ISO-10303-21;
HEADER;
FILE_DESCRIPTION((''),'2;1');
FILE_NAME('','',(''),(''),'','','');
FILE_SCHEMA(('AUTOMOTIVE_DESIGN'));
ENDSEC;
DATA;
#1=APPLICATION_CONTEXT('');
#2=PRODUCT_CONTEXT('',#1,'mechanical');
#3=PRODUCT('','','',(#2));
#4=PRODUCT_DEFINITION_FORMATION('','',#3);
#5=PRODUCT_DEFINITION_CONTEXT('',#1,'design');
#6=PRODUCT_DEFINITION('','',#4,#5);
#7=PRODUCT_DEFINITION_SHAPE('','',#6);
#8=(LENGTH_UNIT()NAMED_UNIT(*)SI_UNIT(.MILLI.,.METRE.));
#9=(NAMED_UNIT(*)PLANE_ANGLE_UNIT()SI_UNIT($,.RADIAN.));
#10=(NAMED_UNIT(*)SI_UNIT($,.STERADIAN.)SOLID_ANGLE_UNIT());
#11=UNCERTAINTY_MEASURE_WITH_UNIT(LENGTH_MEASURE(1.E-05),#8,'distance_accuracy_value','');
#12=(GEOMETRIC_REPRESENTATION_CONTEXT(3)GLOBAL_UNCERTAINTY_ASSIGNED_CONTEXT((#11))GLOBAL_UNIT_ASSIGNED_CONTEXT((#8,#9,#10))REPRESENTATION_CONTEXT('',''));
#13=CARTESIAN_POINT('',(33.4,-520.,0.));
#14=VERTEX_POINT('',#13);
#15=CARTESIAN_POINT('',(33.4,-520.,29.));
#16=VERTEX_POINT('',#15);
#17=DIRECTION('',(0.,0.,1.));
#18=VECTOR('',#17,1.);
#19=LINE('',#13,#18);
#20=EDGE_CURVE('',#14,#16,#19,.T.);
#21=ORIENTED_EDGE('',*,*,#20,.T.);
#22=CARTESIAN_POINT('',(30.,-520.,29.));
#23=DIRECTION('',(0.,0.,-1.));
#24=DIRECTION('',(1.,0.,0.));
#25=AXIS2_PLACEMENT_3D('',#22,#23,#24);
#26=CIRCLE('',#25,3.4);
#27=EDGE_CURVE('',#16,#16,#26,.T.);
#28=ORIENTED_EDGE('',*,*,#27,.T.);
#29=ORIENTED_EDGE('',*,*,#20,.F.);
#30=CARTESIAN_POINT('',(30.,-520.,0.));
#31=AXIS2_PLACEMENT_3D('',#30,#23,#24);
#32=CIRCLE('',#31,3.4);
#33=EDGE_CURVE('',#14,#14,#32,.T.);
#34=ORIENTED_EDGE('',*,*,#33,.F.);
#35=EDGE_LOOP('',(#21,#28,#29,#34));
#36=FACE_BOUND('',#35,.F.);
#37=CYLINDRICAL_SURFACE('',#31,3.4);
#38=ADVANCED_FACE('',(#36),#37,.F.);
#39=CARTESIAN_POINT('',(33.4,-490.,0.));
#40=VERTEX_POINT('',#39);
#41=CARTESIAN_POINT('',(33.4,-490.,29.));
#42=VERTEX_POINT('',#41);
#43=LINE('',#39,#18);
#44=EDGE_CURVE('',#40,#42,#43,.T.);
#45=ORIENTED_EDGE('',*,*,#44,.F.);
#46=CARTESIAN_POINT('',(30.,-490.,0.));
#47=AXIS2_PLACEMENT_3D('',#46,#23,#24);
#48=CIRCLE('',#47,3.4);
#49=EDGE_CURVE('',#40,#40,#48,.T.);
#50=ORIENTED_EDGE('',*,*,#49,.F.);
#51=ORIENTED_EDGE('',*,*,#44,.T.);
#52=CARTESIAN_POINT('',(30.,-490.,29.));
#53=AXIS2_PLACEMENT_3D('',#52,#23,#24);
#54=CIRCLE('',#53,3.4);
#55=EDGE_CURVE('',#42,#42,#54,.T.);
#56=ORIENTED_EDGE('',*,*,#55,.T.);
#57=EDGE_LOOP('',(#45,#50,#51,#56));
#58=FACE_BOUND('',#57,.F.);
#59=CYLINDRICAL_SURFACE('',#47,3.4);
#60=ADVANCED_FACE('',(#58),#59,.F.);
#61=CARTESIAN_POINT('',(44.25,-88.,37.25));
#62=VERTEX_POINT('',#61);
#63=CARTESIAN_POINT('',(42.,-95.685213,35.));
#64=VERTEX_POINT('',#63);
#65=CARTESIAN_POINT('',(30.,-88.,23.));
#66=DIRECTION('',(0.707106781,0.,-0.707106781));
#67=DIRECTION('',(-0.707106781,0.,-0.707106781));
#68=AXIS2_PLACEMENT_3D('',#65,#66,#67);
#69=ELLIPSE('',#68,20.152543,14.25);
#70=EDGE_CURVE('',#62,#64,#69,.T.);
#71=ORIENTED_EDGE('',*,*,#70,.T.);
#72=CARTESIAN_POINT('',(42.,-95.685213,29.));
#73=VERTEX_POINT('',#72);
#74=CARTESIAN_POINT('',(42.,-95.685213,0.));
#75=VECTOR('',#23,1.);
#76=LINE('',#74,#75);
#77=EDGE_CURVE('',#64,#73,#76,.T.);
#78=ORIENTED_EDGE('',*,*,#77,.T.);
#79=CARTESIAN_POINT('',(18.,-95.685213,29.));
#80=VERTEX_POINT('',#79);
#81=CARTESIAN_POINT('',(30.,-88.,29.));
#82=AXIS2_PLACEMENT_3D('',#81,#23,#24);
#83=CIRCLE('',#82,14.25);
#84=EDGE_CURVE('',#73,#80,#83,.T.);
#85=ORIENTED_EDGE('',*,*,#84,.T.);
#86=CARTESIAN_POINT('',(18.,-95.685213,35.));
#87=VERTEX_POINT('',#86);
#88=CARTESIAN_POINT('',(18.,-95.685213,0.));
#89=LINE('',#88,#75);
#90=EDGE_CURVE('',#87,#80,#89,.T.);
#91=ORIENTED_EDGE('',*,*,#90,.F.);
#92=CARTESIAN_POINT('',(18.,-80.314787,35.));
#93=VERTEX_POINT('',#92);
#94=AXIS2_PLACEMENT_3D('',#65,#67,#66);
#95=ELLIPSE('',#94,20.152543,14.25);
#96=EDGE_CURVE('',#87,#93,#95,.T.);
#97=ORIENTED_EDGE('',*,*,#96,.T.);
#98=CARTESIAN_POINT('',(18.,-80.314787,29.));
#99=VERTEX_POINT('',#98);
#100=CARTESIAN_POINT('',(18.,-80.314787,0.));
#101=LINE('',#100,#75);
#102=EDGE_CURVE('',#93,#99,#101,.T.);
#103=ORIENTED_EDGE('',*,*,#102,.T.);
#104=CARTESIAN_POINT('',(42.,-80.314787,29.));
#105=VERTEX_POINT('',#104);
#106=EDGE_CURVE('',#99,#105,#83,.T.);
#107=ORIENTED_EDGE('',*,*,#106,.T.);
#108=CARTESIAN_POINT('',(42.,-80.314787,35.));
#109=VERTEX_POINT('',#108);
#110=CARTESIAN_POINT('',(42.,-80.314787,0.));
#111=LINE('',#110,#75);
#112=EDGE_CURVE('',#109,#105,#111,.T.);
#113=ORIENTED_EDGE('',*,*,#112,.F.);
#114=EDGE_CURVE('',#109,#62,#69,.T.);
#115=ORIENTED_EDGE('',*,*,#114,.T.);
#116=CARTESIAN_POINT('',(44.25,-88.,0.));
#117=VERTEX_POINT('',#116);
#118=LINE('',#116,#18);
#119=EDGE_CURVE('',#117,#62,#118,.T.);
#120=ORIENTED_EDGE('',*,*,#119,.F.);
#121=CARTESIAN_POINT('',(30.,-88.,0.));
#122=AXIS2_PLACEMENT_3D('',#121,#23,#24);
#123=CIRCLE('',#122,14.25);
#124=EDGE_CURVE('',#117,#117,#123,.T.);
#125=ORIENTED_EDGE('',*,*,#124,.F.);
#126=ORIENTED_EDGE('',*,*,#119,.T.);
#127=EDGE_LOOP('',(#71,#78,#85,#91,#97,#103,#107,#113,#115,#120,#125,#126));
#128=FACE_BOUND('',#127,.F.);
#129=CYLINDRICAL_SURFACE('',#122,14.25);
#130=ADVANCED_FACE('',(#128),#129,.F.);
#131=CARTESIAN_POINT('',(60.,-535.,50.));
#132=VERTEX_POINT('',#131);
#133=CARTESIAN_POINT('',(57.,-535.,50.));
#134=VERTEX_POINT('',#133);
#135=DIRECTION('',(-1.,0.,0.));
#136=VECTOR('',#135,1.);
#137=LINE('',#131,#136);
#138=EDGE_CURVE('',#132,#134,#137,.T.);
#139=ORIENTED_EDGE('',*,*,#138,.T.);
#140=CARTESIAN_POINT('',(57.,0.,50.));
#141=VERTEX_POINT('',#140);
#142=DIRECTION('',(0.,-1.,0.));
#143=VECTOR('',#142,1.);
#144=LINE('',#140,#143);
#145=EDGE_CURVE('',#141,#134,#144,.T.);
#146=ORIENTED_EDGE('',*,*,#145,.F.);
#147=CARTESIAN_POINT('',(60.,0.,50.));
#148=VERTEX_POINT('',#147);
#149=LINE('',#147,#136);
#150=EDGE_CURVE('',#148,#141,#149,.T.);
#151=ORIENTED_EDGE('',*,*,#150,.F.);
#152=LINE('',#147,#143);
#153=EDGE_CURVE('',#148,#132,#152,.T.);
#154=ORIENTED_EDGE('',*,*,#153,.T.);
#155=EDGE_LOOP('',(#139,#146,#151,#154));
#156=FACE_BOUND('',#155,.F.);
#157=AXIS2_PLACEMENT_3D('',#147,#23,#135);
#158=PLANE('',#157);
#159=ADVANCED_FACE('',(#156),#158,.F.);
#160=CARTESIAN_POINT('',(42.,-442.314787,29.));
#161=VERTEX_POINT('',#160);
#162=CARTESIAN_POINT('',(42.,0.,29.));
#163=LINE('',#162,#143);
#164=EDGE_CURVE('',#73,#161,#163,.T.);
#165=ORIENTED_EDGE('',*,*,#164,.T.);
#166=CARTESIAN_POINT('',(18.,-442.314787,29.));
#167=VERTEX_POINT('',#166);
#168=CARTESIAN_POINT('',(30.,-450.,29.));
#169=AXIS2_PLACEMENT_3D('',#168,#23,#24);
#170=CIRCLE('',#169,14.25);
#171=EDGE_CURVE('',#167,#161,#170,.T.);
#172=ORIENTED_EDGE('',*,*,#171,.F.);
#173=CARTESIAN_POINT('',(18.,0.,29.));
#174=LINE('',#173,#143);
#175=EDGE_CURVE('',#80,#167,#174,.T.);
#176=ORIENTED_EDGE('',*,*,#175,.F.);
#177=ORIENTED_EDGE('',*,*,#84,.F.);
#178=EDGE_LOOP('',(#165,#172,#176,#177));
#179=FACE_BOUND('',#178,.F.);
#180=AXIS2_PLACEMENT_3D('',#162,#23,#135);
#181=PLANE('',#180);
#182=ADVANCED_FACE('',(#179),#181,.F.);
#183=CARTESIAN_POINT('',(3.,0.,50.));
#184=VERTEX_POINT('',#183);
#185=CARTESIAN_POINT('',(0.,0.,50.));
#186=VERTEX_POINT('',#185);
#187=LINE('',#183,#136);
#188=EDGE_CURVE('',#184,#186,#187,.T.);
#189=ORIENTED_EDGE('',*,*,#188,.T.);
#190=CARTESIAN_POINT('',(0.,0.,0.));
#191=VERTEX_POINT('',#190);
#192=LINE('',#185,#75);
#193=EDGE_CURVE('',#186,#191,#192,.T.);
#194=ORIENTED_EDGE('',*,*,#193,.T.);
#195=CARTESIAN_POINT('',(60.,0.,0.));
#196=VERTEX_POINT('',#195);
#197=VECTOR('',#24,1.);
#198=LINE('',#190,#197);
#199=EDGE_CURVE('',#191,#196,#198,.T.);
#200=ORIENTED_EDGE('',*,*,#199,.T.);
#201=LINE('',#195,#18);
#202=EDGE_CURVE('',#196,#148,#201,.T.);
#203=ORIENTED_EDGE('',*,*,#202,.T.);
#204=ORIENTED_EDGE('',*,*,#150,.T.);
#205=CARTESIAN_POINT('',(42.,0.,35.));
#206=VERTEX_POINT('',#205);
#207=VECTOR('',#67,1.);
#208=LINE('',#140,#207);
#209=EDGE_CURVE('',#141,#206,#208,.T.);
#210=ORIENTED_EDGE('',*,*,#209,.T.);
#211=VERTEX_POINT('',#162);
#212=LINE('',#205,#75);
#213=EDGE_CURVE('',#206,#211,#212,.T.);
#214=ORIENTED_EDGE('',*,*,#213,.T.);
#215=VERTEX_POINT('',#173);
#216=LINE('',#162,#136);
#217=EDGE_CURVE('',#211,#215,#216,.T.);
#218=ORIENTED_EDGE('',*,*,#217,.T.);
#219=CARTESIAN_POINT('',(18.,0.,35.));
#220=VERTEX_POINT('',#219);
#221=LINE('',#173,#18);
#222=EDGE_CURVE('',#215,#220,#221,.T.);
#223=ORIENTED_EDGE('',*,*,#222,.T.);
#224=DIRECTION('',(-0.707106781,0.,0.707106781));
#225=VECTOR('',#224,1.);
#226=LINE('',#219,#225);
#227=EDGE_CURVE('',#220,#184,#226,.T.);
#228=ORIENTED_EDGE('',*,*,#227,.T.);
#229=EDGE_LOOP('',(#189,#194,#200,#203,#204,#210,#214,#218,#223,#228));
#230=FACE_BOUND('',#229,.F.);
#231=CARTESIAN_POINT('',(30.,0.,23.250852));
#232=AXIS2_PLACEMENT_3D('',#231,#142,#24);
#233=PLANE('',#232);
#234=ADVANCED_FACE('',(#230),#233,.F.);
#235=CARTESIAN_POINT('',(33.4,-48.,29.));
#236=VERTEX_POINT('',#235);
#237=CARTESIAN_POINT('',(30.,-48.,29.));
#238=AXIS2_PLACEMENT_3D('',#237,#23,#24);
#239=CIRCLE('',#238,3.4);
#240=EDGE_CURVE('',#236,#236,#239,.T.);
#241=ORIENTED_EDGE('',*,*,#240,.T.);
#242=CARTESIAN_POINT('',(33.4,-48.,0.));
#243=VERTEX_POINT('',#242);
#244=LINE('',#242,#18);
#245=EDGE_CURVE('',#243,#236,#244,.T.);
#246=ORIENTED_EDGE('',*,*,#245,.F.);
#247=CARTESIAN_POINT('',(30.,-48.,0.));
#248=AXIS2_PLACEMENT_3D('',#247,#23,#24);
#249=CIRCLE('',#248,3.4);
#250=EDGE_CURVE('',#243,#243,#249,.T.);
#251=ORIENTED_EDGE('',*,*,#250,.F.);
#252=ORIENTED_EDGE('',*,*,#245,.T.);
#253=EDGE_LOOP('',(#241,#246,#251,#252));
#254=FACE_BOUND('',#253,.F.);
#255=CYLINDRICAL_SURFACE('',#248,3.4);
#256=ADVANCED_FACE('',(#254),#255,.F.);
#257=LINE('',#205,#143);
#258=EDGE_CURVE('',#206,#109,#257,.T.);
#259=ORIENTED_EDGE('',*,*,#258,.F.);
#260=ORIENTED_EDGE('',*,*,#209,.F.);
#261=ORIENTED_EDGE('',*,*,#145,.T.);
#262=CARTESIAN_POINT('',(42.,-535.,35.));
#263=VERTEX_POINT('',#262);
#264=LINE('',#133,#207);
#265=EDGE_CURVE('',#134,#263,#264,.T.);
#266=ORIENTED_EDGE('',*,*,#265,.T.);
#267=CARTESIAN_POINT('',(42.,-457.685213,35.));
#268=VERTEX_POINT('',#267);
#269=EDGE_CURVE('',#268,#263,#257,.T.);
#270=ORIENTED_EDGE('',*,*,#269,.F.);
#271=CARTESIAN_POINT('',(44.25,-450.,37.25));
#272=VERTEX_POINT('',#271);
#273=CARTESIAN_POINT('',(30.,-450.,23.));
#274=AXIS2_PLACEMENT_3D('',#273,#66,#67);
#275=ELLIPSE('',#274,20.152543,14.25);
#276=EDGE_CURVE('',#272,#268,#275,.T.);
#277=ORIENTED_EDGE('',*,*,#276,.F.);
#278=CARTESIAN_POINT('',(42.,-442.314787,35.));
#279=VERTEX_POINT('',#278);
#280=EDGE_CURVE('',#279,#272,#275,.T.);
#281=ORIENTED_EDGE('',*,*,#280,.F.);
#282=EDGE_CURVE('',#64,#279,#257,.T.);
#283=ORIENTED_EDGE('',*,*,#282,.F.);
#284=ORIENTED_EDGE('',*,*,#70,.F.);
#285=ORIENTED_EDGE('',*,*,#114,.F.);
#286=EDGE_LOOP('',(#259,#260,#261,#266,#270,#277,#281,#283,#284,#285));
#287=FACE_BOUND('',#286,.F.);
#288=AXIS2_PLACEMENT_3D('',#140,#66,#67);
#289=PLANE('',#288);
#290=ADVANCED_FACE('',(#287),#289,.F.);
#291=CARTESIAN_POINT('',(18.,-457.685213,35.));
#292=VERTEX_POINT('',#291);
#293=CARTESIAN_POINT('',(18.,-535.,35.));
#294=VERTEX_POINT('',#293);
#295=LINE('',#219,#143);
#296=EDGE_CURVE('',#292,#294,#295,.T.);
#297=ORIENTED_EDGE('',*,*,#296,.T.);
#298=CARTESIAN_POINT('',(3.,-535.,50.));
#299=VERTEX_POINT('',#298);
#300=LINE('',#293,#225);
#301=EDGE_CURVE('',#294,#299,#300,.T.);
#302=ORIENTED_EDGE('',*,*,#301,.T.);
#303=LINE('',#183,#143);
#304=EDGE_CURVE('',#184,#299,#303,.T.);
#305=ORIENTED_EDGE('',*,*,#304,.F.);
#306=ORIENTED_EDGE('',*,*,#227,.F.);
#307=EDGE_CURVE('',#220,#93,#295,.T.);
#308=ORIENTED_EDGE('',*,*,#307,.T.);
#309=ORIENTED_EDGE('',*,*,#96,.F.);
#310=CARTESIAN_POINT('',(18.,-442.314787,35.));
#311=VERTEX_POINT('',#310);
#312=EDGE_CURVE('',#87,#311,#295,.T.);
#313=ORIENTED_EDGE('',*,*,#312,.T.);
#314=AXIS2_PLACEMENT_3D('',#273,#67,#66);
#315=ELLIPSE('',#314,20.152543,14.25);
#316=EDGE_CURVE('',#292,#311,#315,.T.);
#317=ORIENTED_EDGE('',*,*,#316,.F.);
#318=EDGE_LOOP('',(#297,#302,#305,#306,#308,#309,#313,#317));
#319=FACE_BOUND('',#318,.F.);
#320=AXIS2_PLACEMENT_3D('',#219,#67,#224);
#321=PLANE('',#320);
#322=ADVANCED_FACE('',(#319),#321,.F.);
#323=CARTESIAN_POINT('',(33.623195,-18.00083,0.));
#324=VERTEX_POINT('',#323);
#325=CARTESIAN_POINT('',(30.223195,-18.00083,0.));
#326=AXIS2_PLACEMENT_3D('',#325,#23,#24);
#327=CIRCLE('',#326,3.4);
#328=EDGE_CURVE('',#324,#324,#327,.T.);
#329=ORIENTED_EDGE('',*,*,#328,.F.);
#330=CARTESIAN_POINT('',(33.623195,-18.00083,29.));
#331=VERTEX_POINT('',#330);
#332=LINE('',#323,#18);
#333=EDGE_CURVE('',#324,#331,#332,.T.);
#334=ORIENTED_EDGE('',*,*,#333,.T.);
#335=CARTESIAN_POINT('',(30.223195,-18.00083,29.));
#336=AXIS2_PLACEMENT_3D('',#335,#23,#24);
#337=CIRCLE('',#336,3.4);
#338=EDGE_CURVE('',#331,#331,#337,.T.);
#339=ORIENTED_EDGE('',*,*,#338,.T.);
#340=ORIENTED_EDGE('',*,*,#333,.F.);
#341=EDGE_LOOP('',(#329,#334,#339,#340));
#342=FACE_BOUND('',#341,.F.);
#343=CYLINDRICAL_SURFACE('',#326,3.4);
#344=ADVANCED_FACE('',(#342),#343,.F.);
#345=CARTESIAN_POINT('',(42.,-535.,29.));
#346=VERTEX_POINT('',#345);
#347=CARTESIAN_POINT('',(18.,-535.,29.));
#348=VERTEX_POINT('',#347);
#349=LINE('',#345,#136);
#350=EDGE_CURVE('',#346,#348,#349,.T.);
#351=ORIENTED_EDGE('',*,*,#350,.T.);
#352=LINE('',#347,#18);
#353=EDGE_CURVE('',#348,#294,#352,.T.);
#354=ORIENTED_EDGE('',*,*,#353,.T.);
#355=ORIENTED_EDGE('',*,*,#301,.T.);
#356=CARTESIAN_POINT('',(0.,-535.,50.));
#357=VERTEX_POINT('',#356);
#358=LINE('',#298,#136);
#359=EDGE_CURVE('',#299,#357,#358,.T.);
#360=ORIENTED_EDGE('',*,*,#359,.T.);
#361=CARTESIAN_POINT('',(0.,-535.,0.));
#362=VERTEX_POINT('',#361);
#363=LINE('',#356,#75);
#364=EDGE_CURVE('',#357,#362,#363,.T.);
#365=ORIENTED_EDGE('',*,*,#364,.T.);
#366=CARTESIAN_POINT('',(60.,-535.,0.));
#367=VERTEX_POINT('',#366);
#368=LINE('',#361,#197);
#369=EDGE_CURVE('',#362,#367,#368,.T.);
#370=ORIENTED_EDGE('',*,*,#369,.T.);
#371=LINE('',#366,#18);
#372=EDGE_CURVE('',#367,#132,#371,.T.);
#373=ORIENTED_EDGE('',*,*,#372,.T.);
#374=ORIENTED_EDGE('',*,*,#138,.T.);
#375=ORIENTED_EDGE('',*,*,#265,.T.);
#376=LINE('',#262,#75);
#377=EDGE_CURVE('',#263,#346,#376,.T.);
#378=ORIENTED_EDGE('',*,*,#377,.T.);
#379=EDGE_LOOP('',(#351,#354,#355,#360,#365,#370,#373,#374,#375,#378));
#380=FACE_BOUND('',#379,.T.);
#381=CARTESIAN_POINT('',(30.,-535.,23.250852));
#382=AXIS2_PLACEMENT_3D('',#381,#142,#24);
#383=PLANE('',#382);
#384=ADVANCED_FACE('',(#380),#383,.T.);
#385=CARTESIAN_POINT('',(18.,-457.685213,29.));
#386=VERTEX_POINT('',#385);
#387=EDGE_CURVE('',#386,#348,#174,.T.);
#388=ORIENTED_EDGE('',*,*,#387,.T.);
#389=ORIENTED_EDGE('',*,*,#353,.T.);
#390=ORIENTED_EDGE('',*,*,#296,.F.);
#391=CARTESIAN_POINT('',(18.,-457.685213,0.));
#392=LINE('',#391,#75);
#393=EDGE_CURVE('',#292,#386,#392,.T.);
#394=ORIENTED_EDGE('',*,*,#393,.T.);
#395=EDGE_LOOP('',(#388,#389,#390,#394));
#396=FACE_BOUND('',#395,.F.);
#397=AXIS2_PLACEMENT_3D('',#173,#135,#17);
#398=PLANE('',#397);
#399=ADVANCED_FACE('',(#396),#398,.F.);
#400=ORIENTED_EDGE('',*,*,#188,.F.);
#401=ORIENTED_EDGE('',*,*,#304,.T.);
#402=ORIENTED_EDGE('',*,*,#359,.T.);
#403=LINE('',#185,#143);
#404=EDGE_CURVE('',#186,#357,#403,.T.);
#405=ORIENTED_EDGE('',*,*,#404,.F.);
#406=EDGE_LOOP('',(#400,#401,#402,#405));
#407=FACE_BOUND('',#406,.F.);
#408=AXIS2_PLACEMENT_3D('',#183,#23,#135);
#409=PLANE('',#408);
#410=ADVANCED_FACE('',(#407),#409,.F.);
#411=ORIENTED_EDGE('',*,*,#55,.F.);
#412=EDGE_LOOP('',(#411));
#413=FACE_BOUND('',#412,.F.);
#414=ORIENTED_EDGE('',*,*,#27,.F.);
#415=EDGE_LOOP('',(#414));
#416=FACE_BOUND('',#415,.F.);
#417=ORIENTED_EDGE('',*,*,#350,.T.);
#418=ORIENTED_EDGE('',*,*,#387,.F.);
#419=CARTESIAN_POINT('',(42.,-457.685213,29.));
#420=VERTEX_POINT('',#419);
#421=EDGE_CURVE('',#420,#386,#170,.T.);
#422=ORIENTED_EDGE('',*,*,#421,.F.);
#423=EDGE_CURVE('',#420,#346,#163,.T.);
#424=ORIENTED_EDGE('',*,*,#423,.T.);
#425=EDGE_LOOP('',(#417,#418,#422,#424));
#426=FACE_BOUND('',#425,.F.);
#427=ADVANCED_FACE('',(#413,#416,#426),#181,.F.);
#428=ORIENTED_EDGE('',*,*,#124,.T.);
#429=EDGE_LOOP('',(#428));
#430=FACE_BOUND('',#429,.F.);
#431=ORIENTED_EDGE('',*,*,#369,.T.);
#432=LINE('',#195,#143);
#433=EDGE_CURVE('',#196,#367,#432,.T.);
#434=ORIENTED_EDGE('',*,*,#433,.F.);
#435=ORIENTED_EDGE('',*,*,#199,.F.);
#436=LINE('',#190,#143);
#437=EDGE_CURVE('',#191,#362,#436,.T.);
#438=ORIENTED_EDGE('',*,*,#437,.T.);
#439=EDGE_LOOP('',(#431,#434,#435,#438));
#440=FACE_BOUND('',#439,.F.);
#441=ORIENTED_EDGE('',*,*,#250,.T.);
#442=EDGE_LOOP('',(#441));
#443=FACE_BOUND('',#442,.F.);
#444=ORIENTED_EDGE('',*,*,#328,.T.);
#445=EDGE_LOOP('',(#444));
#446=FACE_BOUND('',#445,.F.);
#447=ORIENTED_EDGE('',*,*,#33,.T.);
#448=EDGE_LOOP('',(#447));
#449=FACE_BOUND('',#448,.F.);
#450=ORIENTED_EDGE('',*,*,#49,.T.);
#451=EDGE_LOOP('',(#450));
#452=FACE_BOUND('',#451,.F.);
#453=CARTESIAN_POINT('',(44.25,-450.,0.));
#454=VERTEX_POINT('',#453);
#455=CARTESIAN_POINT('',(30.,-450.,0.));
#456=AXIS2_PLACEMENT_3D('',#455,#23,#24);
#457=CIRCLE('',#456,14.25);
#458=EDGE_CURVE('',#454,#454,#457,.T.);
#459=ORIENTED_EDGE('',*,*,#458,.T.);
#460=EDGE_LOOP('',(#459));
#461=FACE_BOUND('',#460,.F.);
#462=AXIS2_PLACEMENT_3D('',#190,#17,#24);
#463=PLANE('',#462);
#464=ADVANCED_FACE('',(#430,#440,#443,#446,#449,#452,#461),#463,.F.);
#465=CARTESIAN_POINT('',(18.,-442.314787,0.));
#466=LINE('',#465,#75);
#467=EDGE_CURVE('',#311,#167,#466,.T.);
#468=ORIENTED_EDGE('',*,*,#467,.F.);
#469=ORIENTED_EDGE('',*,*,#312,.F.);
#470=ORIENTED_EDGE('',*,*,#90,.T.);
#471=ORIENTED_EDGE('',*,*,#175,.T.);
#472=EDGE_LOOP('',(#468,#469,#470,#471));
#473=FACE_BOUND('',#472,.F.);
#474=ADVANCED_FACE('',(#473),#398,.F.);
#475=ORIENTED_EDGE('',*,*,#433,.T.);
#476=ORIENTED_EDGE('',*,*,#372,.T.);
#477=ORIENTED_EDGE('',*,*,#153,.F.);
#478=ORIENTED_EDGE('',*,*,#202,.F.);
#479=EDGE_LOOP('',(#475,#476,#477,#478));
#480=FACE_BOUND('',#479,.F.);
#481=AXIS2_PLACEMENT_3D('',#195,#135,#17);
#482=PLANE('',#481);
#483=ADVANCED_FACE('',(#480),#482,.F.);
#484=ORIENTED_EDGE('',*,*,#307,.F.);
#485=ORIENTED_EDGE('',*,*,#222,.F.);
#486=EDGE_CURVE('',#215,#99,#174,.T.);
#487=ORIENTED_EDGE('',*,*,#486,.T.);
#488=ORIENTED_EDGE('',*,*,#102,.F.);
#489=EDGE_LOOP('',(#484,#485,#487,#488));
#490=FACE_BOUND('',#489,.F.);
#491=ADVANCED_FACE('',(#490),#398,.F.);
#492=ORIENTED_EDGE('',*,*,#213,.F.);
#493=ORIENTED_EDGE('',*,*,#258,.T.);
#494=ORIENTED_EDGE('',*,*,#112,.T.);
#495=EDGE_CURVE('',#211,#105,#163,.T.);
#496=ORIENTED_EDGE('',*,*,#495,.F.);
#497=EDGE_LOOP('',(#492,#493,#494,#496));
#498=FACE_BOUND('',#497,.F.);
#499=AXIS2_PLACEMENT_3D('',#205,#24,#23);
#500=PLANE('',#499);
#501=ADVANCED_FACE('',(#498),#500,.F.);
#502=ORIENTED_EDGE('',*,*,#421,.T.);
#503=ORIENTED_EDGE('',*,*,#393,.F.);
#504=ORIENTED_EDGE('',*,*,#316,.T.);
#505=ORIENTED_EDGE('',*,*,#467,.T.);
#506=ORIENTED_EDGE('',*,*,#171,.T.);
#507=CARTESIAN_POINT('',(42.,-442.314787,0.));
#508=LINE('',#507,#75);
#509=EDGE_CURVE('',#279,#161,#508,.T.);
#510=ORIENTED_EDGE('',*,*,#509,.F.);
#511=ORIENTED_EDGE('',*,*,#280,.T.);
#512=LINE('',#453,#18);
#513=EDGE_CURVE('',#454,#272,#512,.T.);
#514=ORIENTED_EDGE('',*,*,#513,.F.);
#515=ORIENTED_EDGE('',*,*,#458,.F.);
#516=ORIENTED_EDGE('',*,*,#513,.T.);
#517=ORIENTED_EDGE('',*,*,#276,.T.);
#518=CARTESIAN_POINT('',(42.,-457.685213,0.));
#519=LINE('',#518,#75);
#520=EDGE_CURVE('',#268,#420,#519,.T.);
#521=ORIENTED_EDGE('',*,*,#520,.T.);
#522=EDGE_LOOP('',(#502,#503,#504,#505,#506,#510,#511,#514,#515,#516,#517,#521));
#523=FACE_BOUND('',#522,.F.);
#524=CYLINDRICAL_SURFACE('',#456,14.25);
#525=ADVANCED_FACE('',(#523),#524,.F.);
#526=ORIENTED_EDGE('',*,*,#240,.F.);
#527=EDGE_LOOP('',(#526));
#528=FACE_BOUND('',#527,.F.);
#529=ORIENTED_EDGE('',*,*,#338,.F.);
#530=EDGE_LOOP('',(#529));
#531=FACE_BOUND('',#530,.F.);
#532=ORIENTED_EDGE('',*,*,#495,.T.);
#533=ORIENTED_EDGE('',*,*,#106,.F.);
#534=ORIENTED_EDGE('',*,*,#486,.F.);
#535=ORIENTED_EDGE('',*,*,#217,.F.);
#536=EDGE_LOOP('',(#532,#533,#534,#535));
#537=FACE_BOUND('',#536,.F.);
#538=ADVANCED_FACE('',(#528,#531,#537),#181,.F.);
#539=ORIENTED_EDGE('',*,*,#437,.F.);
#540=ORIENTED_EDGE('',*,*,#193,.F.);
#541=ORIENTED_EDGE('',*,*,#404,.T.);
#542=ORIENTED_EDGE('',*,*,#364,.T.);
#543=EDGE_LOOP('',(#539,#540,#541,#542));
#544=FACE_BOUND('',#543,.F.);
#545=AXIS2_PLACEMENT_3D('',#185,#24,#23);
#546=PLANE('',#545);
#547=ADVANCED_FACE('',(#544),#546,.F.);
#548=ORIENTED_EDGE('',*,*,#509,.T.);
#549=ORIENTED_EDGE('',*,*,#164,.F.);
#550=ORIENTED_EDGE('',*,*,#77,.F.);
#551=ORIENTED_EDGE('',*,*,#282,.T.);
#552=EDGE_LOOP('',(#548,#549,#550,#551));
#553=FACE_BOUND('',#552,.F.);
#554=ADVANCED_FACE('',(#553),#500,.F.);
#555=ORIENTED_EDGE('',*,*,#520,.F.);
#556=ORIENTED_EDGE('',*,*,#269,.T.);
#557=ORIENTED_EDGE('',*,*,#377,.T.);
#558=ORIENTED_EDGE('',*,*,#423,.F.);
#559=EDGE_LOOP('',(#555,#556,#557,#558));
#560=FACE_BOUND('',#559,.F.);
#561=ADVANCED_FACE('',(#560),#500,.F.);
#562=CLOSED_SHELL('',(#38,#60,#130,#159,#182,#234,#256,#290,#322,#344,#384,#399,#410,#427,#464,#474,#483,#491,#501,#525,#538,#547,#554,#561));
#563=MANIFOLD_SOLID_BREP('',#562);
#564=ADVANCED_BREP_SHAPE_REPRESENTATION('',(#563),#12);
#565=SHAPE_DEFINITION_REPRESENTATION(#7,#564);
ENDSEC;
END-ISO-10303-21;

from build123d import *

# Parameters (mm, degrees)
F1_DEPTH = 535
F2_R     = 14.25
F2_R_2   = 3.4
F3_DEPTH = 40


with BuildPart() as f1:
    # F0 (on Front) → F1 (new body)
    with BuildSketch(Plane.XZ):
        Polygon((0, 50), (0, 0), (60, 0), (60, 50), (57, 50), (42, 35), (42, 29), (30, 29), (18, 29), (18, 35), (3, 50), align=None)
    extrude(amount=F1_DEPTH)

    # F2 (on face) → F3 (cut)
    with BuildSketch(Plane(origin=(0, 0, 0), x_dir=(1, 0, 0), z_dir=(0, 0, -1))):
        with Locations((30, 88)):
            Circle(F2_R)
        with Locations((30, 48)):
            Circle(F2_R_2)
        with Locations((30.223195, 18.00083)):
            Circle(F2_R_2)
        with Locations((30, 450)):
            Circle(F2_R)
        with Locations((30, 490)):
            Circle(F2_R_2)
        with Locations((30, 520)):
            Circle(F2_R_2)
    extrude(amount=-F3_DEPTH, mode=Mode.SUBTRACT)


solid = f1.part
